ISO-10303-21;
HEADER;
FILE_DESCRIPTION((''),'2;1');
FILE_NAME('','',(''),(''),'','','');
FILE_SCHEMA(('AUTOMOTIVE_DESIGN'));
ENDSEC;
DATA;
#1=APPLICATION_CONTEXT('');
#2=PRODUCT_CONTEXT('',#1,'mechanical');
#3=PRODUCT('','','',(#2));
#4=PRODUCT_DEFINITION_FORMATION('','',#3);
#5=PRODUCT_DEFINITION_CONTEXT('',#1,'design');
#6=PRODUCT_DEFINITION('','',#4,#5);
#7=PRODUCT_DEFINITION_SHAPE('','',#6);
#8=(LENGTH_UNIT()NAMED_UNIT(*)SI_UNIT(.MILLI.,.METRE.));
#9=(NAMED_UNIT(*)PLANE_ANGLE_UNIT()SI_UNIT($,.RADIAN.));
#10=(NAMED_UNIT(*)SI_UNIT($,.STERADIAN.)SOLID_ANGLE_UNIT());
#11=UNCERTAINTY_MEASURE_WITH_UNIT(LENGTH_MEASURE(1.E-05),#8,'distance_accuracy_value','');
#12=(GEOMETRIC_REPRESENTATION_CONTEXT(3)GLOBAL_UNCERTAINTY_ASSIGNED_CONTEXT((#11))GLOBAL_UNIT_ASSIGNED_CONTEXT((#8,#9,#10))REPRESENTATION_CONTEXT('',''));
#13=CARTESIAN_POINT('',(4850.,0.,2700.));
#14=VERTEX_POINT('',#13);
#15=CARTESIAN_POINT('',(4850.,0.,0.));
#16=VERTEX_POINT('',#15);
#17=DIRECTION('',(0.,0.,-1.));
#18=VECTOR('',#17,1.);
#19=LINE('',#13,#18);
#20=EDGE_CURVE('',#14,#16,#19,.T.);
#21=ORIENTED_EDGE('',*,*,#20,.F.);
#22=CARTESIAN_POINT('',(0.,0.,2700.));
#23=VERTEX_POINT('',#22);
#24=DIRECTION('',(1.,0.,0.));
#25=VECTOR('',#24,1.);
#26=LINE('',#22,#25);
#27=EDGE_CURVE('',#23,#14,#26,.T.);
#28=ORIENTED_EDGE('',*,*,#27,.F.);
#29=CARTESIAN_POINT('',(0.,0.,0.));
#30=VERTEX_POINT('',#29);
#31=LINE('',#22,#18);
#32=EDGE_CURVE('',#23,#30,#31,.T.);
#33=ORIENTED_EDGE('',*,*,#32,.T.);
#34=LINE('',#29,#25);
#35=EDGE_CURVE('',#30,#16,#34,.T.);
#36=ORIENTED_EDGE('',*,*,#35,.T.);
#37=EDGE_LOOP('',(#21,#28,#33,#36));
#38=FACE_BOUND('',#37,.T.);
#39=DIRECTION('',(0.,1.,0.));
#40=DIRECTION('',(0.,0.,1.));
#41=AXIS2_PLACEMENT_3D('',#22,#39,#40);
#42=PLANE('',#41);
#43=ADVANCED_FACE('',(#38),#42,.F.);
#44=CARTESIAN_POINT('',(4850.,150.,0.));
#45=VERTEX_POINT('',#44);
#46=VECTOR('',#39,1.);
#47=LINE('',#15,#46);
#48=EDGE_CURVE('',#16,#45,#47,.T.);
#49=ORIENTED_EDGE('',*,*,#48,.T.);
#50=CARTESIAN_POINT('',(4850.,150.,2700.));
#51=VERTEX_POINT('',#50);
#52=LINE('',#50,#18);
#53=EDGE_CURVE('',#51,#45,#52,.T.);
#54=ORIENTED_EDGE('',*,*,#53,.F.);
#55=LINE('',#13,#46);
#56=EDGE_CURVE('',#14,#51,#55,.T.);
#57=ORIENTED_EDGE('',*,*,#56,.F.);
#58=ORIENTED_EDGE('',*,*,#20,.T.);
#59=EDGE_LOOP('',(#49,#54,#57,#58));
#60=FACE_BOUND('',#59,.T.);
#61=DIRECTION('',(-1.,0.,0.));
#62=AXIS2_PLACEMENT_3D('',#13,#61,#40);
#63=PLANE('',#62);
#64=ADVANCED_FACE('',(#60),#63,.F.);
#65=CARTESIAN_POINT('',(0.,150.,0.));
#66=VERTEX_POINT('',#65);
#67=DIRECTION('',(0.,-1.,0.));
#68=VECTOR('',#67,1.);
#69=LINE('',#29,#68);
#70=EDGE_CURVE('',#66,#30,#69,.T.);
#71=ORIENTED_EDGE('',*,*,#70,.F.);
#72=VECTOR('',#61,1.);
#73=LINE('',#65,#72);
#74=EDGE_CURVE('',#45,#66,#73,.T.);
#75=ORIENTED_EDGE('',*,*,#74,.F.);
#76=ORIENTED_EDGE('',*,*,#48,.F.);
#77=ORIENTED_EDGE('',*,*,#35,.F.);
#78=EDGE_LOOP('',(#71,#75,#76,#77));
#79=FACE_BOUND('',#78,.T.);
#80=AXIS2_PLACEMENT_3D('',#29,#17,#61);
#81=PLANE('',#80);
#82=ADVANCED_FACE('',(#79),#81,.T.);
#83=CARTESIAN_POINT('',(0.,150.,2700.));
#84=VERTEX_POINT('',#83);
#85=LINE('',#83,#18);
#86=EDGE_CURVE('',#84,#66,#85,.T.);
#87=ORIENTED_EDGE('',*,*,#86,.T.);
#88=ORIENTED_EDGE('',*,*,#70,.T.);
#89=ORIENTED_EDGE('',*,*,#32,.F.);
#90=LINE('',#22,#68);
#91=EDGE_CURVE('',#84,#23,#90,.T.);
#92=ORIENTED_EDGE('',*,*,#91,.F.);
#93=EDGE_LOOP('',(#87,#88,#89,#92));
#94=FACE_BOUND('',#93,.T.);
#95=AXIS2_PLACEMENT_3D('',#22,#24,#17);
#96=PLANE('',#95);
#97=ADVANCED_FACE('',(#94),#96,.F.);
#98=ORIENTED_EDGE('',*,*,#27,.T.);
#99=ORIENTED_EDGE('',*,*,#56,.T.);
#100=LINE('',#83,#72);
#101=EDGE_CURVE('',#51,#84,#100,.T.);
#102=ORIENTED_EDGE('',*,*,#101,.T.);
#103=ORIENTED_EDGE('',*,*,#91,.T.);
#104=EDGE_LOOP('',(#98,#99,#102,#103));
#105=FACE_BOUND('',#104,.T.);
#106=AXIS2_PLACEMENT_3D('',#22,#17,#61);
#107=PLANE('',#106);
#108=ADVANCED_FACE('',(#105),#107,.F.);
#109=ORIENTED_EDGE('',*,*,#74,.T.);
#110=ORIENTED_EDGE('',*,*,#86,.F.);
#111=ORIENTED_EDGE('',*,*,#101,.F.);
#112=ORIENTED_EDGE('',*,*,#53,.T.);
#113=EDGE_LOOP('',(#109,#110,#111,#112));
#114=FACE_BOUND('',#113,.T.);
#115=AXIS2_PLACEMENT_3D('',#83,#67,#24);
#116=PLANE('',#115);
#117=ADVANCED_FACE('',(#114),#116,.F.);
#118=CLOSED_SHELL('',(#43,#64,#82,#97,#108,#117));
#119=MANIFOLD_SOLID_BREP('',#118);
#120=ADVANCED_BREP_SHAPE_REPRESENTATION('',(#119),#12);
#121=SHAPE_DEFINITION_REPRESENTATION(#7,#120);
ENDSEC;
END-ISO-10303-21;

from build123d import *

# Parameters (mm, degrees)
ESBO_O1_W                = 4850
ESBO_O1_H                = 150
RESSALTO_EXTRUS_O1_DEPTH = 2700


with BuildPart() as part:
    # Esboço1 → Ressalto-extrusão1 (new body)
    with BuildSketch(Plane.XY):
        with Locations((2425, 75)):
            Rectangle(ESBO_O1_W, ESBO_O1_H)
    extrude(amount=RESSALTO_EXTRUS_O1_DEPTH)


solid = part.part
